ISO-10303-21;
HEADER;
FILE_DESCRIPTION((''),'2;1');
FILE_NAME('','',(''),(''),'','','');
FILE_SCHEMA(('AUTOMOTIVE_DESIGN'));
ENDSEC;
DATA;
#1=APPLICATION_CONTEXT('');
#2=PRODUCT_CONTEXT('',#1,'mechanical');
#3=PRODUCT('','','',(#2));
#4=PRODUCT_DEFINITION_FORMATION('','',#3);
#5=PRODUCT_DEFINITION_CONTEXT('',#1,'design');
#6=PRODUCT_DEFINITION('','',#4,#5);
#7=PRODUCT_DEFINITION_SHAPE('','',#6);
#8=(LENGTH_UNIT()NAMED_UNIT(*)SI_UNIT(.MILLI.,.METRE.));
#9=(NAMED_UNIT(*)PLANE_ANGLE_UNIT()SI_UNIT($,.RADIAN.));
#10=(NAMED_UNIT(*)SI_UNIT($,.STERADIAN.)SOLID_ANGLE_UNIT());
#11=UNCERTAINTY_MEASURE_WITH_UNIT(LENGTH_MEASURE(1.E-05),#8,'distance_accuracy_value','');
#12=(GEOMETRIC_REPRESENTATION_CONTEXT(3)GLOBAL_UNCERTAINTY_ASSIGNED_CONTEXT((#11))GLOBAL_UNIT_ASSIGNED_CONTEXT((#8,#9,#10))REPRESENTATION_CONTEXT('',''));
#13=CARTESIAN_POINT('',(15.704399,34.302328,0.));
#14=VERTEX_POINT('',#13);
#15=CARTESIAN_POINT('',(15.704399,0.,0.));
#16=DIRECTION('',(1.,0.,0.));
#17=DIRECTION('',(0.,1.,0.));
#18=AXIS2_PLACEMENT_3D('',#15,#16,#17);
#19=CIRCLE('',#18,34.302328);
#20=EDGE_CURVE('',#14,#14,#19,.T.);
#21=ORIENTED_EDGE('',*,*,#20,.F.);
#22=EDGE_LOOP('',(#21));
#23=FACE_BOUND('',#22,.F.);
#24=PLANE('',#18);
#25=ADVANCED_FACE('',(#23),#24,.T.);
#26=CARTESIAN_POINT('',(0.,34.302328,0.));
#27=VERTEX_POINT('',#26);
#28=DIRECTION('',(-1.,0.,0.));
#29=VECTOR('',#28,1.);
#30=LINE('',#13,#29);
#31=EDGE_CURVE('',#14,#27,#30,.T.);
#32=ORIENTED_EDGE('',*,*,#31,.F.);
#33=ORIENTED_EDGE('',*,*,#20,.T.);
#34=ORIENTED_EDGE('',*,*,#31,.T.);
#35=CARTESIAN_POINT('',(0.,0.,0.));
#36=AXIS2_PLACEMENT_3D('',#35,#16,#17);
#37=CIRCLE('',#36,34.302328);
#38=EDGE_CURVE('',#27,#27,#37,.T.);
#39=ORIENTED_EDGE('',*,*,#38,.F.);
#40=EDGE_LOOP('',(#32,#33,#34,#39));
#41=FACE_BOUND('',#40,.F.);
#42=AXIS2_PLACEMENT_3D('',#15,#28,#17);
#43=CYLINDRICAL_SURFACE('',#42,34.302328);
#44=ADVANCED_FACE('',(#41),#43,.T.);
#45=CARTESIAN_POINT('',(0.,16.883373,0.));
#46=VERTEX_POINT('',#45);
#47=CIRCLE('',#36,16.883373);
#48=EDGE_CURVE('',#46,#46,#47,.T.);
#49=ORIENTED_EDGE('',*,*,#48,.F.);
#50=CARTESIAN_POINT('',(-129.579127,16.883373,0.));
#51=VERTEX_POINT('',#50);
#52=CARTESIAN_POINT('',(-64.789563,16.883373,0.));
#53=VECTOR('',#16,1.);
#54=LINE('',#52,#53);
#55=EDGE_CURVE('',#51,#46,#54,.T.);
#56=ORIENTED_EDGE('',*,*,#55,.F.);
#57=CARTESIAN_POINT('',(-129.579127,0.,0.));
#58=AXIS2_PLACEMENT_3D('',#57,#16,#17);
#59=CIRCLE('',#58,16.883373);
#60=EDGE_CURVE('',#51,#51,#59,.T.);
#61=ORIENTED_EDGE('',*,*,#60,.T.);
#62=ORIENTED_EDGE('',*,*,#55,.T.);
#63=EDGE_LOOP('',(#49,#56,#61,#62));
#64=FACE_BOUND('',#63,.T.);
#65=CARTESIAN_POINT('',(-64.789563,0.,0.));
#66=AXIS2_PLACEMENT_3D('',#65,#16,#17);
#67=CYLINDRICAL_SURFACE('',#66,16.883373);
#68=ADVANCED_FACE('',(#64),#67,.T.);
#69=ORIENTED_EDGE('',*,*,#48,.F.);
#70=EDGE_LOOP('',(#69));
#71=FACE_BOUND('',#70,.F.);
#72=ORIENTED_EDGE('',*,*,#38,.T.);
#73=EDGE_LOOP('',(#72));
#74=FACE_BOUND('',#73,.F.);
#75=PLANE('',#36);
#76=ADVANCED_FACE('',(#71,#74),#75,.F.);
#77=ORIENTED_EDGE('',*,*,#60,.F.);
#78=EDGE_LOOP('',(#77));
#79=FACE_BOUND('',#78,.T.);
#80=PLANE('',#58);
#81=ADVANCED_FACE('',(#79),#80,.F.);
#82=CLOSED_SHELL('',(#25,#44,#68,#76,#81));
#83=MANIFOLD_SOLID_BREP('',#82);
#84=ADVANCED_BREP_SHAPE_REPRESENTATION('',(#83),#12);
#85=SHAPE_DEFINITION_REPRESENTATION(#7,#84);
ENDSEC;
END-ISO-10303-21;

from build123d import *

# Parameters (mm, degrees)
F0_W = 129.5791268349
F0_H = 16.8833732605


with BuildPart() as f1:
    # F0 (on Top) → F1 (revolve)
    with BuildSketch(Plane.XY):
        with Locations((-64.7895634174, 8.4416866302)):
            Rectangle(F0_W, F0_H)
        Polygon((0, 34.3023277819), (0, 16.8833732605), (0, 0), (15.7043989748, 0), (15.7043989748, 34.3023277819), align=None)
    revolve(axis=Axis((-64.7895634174, 0, 0), (1, 0, 0)))


solid = f1.part
